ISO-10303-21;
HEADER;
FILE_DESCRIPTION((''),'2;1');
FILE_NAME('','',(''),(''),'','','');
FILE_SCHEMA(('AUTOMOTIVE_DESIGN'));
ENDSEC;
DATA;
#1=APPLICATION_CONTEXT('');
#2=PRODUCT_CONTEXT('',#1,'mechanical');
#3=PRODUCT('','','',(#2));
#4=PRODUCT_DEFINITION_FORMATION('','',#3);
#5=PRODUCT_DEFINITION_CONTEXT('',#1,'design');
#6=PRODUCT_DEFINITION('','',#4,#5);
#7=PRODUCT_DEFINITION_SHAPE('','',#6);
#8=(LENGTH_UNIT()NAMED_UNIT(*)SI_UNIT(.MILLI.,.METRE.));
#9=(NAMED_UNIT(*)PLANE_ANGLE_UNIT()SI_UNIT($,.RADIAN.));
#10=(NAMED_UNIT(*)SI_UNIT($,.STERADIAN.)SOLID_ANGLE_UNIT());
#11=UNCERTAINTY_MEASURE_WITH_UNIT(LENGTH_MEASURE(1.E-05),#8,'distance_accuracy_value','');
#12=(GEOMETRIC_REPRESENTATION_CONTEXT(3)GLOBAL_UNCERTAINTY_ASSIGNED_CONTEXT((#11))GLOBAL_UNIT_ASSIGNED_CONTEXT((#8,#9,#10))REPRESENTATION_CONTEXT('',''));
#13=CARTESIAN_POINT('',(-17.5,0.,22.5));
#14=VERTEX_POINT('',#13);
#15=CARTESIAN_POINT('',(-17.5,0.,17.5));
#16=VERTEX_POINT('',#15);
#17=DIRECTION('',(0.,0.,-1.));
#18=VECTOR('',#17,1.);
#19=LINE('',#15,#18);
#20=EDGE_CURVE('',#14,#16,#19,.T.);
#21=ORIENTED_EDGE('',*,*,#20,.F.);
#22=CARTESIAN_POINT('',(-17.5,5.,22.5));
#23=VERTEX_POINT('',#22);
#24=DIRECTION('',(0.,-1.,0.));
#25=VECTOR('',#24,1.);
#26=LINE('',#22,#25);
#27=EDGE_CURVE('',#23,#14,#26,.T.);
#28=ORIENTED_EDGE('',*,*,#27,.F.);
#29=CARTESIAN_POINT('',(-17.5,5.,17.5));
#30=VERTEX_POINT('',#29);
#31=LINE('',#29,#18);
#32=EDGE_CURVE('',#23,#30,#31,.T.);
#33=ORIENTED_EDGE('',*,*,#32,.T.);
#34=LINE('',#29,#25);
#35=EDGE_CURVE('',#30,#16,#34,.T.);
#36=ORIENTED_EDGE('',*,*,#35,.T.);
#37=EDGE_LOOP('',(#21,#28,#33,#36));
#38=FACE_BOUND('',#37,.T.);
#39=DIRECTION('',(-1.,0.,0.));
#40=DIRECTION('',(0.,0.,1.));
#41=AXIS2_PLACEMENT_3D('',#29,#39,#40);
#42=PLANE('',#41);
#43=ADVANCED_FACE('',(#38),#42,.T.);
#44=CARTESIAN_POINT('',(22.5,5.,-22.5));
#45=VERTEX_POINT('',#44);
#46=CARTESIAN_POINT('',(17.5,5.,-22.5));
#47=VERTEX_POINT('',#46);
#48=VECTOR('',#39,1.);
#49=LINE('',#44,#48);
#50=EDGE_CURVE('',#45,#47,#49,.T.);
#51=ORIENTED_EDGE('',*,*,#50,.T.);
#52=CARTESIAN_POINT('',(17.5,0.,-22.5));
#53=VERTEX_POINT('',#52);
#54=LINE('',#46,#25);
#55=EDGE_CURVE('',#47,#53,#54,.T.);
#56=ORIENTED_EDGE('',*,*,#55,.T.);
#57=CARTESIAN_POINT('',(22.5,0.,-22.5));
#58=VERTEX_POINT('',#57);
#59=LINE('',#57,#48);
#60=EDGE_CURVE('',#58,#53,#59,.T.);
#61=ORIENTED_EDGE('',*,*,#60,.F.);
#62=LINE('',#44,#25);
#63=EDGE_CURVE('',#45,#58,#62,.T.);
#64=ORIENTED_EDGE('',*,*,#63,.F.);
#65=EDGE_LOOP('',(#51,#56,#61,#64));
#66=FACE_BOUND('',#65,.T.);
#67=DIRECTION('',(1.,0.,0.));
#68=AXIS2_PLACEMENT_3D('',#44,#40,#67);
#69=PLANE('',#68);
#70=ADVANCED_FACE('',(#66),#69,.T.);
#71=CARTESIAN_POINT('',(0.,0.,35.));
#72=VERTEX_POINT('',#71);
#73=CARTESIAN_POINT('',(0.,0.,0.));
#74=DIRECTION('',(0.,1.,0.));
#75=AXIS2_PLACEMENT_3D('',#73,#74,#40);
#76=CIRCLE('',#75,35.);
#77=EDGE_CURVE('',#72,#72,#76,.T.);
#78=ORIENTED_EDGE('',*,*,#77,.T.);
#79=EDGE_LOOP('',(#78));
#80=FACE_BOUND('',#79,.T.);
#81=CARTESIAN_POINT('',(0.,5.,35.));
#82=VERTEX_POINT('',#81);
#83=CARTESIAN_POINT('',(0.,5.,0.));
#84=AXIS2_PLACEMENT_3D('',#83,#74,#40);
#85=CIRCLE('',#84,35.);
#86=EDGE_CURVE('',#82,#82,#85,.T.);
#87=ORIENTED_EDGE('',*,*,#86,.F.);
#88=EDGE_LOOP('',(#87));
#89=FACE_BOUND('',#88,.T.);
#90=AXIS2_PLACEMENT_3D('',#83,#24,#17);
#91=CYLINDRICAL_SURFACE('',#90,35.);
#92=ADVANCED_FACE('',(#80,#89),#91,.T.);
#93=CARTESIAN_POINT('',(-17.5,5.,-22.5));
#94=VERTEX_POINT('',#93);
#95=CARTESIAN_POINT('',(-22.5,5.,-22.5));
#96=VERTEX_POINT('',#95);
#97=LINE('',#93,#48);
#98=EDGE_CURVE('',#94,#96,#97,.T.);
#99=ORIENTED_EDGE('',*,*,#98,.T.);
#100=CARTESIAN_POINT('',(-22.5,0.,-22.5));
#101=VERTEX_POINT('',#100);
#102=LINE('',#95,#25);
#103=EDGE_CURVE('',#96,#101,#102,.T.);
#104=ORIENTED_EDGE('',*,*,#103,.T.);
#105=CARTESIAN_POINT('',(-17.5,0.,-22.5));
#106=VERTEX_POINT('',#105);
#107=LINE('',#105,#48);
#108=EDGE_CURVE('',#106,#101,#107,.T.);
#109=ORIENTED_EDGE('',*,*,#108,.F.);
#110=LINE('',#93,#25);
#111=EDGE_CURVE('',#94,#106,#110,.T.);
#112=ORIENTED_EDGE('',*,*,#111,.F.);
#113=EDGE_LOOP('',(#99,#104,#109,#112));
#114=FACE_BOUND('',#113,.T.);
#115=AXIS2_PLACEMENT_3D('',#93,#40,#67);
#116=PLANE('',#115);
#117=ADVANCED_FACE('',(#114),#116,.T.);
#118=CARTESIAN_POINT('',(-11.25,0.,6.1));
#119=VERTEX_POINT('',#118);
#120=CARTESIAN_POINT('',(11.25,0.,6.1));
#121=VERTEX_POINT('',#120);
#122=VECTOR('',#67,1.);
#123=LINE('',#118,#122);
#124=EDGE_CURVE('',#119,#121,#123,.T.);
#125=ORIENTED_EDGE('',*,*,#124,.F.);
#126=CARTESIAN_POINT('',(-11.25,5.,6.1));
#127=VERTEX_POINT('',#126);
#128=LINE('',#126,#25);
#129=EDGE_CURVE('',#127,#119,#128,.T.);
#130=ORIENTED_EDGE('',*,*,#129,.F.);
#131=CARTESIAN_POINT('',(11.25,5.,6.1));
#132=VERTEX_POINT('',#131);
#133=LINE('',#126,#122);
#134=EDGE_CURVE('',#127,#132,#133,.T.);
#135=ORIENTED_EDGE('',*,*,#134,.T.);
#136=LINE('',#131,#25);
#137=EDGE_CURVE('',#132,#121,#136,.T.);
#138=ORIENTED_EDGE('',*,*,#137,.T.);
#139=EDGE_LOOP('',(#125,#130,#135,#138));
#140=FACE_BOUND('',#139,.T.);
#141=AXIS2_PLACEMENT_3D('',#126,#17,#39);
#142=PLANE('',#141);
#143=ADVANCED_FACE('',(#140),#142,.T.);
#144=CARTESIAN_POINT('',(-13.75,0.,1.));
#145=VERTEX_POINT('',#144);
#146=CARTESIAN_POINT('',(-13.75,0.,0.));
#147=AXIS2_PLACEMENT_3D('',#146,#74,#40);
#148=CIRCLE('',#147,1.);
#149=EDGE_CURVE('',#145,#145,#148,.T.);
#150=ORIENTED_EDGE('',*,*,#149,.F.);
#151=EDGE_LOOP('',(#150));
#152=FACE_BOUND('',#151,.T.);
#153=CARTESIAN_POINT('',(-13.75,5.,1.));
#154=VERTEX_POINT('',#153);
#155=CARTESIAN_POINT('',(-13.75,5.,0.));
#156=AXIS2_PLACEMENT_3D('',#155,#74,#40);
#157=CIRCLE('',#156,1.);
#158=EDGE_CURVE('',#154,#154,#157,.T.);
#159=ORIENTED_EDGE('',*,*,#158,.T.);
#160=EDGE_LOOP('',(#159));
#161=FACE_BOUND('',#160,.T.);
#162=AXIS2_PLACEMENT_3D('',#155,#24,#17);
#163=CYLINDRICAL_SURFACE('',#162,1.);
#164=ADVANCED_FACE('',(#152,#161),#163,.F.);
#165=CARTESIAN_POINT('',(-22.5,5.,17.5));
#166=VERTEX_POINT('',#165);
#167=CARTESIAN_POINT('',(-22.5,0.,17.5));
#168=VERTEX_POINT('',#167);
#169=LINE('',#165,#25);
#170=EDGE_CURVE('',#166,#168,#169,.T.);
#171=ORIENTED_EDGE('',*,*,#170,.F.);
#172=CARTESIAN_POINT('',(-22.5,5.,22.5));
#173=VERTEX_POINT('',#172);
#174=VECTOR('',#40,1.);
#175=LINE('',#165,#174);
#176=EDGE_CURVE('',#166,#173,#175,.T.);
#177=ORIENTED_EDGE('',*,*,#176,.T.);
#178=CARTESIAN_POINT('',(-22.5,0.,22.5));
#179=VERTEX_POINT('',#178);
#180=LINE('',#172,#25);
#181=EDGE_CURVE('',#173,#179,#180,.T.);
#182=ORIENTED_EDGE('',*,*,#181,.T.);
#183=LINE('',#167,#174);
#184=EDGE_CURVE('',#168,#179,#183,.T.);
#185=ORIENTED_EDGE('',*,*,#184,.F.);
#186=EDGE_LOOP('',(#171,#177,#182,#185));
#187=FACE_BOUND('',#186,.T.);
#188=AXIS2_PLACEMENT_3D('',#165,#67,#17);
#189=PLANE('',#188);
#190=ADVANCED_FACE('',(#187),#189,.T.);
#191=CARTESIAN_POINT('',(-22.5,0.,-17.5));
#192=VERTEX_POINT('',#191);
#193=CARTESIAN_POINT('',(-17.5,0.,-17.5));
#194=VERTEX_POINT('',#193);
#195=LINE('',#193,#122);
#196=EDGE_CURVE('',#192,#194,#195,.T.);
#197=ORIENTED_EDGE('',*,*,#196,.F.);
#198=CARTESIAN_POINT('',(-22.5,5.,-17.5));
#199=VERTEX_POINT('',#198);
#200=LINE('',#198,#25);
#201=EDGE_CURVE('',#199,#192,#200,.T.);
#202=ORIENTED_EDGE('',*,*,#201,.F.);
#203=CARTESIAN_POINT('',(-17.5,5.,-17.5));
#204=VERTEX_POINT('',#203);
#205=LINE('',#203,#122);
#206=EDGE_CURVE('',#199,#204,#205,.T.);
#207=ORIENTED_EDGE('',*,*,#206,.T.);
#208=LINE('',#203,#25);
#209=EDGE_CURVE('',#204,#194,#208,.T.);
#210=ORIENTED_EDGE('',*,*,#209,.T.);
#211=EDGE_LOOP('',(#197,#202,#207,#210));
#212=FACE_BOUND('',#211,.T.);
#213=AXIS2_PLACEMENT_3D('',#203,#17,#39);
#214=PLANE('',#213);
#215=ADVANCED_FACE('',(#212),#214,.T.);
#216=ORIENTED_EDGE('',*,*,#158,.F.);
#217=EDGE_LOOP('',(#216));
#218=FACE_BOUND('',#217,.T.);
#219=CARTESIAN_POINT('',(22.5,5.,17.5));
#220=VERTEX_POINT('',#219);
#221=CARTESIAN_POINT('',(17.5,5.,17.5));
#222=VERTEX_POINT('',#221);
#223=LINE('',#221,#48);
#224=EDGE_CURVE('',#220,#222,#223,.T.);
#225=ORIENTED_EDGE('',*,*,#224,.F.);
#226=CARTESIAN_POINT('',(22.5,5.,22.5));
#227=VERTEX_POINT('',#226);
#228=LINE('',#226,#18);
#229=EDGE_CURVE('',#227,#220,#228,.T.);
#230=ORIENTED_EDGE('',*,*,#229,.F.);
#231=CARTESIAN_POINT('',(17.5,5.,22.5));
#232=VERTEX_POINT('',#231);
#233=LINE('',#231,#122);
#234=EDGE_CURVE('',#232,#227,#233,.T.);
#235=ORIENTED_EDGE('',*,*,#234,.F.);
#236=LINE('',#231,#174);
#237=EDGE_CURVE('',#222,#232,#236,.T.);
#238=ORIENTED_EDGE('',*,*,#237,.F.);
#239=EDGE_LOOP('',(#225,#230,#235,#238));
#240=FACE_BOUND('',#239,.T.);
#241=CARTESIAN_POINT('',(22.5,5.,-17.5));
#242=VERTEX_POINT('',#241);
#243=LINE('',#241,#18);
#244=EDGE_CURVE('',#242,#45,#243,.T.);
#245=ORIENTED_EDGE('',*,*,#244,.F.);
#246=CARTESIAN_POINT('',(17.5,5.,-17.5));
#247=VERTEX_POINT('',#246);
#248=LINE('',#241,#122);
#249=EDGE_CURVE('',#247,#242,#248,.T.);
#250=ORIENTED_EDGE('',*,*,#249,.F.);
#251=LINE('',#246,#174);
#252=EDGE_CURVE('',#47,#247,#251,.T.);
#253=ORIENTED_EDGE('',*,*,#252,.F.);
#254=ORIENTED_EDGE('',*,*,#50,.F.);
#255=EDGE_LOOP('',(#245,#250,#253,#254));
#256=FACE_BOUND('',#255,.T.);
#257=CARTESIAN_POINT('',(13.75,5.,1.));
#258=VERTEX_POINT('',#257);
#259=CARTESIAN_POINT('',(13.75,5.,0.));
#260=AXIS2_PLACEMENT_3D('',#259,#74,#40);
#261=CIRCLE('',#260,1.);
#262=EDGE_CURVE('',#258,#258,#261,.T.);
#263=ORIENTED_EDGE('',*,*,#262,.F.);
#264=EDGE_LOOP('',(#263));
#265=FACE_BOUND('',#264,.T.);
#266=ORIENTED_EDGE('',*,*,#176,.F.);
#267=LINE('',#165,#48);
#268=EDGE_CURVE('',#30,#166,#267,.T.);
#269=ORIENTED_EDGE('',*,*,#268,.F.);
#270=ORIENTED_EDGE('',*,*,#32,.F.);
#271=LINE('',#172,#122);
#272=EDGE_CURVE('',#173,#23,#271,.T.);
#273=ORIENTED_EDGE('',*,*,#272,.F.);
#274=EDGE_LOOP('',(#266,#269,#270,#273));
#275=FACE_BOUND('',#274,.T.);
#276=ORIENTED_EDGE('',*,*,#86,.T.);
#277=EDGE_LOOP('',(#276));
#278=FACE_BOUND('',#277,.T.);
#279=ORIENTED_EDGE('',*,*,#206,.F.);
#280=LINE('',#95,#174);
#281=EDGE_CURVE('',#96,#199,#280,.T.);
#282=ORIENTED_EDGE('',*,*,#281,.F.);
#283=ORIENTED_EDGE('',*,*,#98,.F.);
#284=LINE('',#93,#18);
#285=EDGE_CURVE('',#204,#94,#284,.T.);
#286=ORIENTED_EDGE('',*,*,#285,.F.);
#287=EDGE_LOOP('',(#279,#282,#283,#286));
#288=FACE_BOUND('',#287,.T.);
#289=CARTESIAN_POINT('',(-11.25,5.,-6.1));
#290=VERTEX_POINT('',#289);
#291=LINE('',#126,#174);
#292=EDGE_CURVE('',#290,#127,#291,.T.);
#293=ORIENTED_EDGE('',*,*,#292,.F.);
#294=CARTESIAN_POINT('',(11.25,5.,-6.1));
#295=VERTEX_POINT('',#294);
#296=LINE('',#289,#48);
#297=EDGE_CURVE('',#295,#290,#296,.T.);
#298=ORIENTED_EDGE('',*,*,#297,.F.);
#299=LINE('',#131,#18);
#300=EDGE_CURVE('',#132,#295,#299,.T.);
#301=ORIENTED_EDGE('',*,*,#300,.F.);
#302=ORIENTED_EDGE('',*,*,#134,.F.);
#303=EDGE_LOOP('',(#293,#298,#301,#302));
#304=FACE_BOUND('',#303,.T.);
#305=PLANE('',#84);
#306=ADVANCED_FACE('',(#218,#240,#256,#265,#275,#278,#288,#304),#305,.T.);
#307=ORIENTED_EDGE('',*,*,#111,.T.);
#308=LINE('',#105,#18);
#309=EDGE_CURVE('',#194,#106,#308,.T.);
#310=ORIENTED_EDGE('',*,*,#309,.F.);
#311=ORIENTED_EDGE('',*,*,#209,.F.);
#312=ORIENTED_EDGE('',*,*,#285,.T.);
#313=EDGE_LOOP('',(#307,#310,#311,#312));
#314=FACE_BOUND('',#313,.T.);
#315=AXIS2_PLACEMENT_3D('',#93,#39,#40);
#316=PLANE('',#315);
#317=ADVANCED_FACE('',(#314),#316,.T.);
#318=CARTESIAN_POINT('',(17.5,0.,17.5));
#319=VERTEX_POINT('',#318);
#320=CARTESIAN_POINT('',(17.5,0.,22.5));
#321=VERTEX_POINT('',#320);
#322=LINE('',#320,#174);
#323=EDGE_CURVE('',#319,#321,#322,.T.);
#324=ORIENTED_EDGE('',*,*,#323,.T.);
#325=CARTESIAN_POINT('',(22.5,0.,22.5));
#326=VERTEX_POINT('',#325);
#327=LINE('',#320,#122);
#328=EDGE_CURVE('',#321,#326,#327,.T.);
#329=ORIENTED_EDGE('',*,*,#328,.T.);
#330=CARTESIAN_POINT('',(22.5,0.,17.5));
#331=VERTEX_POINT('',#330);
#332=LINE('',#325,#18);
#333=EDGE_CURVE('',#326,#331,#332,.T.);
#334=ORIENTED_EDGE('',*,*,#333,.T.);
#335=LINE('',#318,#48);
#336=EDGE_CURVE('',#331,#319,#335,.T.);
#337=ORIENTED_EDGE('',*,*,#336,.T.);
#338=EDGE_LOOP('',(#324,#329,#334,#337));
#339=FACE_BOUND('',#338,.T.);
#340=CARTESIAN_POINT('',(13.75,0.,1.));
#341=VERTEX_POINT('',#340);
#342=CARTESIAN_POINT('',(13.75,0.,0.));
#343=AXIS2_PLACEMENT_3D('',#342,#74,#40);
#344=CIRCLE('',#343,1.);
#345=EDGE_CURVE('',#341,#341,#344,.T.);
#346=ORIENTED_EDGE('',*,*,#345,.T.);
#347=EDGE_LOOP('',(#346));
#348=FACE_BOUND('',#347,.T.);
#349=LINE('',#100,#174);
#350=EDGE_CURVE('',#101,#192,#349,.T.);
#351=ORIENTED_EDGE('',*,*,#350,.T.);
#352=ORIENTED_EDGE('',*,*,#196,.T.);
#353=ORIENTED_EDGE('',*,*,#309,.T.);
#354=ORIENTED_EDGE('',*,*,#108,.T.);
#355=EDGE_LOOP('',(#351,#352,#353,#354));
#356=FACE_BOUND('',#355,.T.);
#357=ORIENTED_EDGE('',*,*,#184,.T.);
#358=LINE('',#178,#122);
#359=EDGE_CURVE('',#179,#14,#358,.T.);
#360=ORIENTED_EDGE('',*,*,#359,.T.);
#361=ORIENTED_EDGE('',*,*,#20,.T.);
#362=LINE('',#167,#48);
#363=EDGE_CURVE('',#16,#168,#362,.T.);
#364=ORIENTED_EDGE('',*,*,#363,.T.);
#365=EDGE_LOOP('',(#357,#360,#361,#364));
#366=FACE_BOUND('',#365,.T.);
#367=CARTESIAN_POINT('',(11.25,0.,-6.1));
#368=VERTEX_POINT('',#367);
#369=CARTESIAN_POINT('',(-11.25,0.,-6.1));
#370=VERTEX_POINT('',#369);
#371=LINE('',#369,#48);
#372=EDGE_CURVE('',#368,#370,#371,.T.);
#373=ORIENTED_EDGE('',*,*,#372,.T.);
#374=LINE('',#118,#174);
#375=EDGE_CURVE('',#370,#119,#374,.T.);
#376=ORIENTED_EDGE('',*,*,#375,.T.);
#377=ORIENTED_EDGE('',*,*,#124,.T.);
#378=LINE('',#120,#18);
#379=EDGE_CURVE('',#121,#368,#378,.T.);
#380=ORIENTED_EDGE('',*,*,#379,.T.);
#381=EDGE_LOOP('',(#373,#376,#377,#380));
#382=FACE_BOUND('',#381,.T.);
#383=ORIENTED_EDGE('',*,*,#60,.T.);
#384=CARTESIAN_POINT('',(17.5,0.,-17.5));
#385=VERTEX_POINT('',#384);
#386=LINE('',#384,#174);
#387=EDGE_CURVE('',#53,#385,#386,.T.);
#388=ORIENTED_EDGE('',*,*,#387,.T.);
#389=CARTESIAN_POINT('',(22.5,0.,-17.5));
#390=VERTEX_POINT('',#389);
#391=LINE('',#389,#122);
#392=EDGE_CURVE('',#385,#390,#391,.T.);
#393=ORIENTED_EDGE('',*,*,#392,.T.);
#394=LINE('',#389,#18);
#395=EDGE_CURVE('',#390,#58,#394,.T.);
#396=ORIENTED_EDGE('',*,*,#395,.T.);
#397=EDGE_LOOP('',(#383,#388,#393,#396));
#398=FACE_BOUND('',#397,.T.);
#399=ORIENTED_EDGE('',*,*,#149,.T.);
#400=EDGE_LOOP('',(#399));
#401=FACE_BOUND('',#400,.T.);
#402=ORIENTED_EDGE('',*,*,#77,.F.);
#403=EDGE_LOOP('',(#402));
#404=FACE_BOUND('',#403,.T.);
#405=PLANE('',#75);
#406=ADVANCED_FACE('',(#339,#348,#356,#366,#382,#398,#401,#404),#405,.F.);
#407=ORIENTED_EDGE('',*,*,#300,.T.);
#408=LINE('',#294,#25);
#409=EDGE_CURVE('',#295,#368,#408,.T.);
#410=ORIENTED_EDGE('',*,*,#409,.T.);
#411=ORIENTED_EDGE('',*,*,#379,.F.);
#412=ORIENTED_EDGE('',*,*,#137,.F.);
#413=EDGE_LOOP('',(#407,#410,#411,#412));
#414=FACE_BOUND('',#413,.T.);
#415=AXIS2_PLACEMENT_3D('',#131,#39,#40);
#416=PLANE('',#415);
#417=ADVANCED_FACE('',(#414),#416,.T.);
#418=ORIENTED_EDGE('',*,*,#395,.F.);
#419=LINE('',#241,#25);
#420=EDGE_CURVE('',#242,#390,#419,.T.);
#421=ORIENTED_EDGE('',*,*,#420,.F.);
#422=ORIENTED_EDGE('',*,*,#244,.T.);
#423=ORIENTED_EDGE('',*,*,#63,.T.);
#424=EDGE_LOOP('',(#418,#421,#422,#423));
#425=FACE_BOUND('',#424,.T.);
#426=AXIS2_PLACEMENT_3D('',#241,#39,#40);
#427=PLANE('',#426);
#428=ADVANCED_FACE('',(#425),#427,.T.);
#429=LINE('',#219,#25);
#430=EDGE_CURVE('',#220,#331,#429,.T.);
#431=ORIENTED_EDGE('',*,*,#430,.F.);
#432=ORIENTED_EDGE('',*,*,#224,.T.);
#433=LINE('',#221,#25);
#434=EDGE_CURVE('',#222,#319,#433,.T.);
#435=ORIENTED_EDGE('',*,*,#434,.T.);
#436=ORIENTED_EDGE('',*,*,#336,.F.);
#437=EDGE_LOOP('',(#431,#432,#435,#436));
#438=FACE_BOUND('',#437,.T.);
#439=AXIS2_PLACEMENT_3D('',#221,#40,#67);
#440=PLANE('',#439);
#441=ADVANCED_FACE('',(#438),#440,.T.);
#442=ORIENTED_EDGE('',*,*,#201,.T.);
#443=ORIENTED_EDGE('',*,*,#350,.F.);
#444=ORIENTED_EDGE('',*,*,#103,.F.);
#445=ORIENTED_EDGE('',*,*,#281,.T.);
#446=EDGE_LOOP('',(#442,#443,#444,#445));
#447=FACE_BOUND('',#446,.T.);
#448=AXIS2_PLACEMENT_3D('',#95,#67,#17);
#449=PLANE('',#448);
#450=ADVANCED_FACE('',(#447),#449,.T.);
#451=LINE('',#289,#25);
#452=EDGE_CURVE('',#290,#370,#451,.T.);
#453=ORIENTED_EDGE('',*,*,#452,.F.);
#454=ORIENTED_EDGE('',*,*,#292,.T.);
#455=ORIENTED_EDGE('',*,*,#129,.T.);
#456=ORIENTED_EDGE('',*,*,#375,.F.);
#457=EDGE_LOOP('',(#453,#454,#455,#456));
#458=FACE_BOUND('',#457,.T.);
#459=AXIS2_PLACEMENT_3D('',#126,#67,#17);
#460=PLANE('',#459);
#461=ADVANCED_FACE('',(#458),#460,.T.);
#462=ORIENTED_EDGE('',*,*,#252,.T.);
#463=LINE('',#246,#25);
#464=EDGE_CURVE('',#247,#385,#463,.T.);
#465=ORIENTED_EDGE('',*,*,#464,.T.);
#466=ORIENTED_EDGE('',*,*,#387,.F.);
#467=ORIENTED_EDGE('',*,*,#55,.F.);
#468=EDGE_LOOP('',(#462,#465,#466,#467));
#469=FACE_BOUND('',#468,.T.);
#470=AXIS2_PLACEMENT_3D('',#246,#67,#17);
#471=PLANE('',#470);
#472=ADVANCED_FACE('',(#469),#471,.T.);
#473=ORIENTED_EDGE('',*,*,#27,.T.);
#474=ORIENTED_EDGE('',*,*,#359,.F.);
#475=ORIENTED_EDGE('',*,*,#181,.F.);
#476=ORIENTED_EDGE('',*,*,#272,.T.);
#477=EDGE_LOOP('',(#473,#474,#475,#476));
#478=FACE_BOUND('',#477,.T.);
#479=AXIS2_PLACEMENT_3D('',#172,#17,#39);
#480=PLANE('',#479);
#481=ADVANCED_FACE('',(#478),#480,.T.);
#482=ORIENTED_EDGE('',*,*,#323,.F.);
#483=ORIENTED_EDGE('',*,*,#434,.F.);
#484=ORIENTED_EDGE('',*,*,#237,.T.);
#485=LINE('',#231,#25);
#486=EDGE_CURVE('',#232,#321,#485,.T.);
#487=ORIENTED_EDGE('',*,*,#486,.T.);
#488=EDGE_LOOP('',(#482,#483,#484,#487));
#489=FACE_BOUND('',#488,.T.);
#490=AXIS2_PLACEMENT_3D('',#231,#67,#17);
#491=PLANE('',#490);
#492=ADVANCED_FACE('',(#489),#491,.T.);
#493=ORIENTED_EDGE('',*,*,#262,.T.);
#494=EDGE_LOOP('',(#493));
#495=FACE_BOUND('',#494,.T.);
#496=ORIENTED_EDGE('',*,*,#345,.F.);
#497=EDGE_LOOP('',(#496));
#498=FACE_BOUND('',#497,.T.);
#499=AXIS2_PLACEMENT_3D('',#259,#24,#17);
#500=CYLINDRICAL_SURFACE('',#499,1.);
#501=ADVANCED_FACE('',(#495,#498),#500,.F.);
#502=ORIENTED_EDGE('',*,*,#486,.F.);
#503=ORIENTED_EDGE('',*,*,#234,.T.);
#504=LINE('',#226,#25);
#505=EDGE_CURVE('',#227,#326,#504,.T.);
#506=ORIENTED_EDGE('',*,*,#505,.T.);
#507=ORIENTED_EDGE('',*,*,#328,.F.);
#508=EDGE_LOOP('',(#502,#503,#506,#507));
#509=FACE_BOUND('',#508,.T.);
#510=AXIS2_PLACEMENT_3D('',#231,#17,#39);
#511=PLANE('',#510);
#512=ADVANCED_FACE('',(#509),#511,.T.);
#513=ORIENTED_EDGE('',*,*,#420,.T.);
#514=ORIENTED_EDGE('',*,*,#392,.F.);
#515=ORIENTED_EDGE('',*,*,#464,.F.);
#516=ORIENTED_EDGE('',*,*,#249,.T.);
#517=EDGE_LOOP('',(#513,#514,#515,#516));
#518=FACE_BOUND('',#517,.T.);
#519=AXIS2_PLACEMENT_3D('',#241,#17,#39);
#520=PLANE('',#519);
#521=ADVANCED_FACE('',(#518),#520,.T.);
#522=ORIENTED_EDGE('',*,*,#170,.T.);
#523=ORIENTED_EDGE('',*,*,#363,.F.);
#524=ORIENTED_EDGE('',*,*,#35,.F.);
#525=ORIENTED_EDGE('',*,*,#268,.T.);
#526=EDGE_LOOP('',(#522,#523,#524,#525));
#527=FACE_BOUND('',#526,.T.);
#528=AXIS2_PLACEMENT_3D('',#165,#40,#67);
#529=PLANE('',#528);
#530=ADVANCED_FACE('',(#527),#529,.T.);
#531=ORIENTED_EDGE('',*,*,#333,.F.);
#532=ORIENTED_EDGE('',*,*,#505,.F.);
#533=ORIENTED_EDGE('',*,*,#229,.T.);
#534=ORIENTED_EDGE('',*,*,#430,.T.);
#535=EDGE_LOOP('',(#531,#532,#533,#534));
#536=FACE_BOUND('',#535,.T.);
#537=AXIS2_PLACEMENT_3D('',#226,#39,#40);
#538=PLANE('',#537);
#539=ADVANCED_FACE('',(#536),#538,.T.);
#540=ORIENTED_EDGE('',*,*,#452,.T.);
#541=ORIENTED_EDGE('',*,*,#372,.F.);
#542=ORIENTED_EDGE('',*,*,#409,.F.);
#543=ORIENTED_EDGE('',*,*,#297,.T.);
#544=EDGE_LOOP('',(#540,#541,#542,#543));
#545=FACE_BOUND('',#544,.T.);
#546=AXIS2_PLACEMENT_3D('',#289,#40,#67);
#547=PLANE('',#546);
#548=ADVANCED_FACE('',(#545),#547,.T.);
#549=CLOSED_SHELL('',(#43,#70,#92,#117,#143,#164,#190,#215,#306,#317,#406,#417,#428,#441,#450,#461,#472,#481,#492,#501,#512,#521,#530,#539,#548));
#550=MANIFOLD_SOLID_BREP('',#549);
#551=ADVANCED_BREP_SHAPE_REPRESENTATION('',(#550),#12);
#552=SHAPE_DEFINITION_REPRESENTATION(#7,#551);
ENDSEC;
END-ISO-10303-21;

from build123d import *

# Parameters (mm, degrees)
SKETCH1_R           = 35
SKETCH1_R_2         = 1
SKETCH1_W           = 22.5
SKETCH1_H           = 12.2
SKETCH1_W_2         = 5
SKETCH1_H_2         = 5
BOSS_EXTRUDE1_DEPTH = 5


with BuildPart() as part:
    # Sketch1 → Boss-Extrude1 (new body)
    with BuildSketch(Plane(origin=(0, 0, 0), x_dir=(1, 0, 0), z_dir=(0, 1, 0))):
        with Locations(Location((0, 0, 0), (0, 0, 270))):
            Circle(SKETCH1_R)
        with Locations(Location((13.75, 0, 0), (0, 0, 270))):
            Circle(SKETCH1_R_2, mode=Mode.SUBTRACT)
        with Locations(Location((-13.75, 0, 0), (0, 0, 270))):
            Circle(SKETCH1_R_2, mode=Mode.SUBTRACT)
        Rectangle(SKETCH1_W, SKETCH1_H, mode=Mode.SUBTRACT)
        with Locations((-20, -20)):
            Rectangle(SKETCH1_W_2, SKETCH1_H_2, mode=Mode.SUBTRACT)
        with Locations((-20, 20)):
            Rectangle(SKETCH1_W_2, SKETCH1_H_2, mode=Mode.SUBTRACT)
        with Locations((20, 20)):
            Rectangle(SKETCH1_W_2, SKETCH1_H_2, mode=Mode.SUBTRACT)
        with Locations((20, -20)):
            Rectangle(SKETCH1_W_2, SKETCH1_H_2, mode=Mode.SUBTRACT)
    extrude(amount=BOSS_EXTRUDE1_DEPTH)


solid = part.part
